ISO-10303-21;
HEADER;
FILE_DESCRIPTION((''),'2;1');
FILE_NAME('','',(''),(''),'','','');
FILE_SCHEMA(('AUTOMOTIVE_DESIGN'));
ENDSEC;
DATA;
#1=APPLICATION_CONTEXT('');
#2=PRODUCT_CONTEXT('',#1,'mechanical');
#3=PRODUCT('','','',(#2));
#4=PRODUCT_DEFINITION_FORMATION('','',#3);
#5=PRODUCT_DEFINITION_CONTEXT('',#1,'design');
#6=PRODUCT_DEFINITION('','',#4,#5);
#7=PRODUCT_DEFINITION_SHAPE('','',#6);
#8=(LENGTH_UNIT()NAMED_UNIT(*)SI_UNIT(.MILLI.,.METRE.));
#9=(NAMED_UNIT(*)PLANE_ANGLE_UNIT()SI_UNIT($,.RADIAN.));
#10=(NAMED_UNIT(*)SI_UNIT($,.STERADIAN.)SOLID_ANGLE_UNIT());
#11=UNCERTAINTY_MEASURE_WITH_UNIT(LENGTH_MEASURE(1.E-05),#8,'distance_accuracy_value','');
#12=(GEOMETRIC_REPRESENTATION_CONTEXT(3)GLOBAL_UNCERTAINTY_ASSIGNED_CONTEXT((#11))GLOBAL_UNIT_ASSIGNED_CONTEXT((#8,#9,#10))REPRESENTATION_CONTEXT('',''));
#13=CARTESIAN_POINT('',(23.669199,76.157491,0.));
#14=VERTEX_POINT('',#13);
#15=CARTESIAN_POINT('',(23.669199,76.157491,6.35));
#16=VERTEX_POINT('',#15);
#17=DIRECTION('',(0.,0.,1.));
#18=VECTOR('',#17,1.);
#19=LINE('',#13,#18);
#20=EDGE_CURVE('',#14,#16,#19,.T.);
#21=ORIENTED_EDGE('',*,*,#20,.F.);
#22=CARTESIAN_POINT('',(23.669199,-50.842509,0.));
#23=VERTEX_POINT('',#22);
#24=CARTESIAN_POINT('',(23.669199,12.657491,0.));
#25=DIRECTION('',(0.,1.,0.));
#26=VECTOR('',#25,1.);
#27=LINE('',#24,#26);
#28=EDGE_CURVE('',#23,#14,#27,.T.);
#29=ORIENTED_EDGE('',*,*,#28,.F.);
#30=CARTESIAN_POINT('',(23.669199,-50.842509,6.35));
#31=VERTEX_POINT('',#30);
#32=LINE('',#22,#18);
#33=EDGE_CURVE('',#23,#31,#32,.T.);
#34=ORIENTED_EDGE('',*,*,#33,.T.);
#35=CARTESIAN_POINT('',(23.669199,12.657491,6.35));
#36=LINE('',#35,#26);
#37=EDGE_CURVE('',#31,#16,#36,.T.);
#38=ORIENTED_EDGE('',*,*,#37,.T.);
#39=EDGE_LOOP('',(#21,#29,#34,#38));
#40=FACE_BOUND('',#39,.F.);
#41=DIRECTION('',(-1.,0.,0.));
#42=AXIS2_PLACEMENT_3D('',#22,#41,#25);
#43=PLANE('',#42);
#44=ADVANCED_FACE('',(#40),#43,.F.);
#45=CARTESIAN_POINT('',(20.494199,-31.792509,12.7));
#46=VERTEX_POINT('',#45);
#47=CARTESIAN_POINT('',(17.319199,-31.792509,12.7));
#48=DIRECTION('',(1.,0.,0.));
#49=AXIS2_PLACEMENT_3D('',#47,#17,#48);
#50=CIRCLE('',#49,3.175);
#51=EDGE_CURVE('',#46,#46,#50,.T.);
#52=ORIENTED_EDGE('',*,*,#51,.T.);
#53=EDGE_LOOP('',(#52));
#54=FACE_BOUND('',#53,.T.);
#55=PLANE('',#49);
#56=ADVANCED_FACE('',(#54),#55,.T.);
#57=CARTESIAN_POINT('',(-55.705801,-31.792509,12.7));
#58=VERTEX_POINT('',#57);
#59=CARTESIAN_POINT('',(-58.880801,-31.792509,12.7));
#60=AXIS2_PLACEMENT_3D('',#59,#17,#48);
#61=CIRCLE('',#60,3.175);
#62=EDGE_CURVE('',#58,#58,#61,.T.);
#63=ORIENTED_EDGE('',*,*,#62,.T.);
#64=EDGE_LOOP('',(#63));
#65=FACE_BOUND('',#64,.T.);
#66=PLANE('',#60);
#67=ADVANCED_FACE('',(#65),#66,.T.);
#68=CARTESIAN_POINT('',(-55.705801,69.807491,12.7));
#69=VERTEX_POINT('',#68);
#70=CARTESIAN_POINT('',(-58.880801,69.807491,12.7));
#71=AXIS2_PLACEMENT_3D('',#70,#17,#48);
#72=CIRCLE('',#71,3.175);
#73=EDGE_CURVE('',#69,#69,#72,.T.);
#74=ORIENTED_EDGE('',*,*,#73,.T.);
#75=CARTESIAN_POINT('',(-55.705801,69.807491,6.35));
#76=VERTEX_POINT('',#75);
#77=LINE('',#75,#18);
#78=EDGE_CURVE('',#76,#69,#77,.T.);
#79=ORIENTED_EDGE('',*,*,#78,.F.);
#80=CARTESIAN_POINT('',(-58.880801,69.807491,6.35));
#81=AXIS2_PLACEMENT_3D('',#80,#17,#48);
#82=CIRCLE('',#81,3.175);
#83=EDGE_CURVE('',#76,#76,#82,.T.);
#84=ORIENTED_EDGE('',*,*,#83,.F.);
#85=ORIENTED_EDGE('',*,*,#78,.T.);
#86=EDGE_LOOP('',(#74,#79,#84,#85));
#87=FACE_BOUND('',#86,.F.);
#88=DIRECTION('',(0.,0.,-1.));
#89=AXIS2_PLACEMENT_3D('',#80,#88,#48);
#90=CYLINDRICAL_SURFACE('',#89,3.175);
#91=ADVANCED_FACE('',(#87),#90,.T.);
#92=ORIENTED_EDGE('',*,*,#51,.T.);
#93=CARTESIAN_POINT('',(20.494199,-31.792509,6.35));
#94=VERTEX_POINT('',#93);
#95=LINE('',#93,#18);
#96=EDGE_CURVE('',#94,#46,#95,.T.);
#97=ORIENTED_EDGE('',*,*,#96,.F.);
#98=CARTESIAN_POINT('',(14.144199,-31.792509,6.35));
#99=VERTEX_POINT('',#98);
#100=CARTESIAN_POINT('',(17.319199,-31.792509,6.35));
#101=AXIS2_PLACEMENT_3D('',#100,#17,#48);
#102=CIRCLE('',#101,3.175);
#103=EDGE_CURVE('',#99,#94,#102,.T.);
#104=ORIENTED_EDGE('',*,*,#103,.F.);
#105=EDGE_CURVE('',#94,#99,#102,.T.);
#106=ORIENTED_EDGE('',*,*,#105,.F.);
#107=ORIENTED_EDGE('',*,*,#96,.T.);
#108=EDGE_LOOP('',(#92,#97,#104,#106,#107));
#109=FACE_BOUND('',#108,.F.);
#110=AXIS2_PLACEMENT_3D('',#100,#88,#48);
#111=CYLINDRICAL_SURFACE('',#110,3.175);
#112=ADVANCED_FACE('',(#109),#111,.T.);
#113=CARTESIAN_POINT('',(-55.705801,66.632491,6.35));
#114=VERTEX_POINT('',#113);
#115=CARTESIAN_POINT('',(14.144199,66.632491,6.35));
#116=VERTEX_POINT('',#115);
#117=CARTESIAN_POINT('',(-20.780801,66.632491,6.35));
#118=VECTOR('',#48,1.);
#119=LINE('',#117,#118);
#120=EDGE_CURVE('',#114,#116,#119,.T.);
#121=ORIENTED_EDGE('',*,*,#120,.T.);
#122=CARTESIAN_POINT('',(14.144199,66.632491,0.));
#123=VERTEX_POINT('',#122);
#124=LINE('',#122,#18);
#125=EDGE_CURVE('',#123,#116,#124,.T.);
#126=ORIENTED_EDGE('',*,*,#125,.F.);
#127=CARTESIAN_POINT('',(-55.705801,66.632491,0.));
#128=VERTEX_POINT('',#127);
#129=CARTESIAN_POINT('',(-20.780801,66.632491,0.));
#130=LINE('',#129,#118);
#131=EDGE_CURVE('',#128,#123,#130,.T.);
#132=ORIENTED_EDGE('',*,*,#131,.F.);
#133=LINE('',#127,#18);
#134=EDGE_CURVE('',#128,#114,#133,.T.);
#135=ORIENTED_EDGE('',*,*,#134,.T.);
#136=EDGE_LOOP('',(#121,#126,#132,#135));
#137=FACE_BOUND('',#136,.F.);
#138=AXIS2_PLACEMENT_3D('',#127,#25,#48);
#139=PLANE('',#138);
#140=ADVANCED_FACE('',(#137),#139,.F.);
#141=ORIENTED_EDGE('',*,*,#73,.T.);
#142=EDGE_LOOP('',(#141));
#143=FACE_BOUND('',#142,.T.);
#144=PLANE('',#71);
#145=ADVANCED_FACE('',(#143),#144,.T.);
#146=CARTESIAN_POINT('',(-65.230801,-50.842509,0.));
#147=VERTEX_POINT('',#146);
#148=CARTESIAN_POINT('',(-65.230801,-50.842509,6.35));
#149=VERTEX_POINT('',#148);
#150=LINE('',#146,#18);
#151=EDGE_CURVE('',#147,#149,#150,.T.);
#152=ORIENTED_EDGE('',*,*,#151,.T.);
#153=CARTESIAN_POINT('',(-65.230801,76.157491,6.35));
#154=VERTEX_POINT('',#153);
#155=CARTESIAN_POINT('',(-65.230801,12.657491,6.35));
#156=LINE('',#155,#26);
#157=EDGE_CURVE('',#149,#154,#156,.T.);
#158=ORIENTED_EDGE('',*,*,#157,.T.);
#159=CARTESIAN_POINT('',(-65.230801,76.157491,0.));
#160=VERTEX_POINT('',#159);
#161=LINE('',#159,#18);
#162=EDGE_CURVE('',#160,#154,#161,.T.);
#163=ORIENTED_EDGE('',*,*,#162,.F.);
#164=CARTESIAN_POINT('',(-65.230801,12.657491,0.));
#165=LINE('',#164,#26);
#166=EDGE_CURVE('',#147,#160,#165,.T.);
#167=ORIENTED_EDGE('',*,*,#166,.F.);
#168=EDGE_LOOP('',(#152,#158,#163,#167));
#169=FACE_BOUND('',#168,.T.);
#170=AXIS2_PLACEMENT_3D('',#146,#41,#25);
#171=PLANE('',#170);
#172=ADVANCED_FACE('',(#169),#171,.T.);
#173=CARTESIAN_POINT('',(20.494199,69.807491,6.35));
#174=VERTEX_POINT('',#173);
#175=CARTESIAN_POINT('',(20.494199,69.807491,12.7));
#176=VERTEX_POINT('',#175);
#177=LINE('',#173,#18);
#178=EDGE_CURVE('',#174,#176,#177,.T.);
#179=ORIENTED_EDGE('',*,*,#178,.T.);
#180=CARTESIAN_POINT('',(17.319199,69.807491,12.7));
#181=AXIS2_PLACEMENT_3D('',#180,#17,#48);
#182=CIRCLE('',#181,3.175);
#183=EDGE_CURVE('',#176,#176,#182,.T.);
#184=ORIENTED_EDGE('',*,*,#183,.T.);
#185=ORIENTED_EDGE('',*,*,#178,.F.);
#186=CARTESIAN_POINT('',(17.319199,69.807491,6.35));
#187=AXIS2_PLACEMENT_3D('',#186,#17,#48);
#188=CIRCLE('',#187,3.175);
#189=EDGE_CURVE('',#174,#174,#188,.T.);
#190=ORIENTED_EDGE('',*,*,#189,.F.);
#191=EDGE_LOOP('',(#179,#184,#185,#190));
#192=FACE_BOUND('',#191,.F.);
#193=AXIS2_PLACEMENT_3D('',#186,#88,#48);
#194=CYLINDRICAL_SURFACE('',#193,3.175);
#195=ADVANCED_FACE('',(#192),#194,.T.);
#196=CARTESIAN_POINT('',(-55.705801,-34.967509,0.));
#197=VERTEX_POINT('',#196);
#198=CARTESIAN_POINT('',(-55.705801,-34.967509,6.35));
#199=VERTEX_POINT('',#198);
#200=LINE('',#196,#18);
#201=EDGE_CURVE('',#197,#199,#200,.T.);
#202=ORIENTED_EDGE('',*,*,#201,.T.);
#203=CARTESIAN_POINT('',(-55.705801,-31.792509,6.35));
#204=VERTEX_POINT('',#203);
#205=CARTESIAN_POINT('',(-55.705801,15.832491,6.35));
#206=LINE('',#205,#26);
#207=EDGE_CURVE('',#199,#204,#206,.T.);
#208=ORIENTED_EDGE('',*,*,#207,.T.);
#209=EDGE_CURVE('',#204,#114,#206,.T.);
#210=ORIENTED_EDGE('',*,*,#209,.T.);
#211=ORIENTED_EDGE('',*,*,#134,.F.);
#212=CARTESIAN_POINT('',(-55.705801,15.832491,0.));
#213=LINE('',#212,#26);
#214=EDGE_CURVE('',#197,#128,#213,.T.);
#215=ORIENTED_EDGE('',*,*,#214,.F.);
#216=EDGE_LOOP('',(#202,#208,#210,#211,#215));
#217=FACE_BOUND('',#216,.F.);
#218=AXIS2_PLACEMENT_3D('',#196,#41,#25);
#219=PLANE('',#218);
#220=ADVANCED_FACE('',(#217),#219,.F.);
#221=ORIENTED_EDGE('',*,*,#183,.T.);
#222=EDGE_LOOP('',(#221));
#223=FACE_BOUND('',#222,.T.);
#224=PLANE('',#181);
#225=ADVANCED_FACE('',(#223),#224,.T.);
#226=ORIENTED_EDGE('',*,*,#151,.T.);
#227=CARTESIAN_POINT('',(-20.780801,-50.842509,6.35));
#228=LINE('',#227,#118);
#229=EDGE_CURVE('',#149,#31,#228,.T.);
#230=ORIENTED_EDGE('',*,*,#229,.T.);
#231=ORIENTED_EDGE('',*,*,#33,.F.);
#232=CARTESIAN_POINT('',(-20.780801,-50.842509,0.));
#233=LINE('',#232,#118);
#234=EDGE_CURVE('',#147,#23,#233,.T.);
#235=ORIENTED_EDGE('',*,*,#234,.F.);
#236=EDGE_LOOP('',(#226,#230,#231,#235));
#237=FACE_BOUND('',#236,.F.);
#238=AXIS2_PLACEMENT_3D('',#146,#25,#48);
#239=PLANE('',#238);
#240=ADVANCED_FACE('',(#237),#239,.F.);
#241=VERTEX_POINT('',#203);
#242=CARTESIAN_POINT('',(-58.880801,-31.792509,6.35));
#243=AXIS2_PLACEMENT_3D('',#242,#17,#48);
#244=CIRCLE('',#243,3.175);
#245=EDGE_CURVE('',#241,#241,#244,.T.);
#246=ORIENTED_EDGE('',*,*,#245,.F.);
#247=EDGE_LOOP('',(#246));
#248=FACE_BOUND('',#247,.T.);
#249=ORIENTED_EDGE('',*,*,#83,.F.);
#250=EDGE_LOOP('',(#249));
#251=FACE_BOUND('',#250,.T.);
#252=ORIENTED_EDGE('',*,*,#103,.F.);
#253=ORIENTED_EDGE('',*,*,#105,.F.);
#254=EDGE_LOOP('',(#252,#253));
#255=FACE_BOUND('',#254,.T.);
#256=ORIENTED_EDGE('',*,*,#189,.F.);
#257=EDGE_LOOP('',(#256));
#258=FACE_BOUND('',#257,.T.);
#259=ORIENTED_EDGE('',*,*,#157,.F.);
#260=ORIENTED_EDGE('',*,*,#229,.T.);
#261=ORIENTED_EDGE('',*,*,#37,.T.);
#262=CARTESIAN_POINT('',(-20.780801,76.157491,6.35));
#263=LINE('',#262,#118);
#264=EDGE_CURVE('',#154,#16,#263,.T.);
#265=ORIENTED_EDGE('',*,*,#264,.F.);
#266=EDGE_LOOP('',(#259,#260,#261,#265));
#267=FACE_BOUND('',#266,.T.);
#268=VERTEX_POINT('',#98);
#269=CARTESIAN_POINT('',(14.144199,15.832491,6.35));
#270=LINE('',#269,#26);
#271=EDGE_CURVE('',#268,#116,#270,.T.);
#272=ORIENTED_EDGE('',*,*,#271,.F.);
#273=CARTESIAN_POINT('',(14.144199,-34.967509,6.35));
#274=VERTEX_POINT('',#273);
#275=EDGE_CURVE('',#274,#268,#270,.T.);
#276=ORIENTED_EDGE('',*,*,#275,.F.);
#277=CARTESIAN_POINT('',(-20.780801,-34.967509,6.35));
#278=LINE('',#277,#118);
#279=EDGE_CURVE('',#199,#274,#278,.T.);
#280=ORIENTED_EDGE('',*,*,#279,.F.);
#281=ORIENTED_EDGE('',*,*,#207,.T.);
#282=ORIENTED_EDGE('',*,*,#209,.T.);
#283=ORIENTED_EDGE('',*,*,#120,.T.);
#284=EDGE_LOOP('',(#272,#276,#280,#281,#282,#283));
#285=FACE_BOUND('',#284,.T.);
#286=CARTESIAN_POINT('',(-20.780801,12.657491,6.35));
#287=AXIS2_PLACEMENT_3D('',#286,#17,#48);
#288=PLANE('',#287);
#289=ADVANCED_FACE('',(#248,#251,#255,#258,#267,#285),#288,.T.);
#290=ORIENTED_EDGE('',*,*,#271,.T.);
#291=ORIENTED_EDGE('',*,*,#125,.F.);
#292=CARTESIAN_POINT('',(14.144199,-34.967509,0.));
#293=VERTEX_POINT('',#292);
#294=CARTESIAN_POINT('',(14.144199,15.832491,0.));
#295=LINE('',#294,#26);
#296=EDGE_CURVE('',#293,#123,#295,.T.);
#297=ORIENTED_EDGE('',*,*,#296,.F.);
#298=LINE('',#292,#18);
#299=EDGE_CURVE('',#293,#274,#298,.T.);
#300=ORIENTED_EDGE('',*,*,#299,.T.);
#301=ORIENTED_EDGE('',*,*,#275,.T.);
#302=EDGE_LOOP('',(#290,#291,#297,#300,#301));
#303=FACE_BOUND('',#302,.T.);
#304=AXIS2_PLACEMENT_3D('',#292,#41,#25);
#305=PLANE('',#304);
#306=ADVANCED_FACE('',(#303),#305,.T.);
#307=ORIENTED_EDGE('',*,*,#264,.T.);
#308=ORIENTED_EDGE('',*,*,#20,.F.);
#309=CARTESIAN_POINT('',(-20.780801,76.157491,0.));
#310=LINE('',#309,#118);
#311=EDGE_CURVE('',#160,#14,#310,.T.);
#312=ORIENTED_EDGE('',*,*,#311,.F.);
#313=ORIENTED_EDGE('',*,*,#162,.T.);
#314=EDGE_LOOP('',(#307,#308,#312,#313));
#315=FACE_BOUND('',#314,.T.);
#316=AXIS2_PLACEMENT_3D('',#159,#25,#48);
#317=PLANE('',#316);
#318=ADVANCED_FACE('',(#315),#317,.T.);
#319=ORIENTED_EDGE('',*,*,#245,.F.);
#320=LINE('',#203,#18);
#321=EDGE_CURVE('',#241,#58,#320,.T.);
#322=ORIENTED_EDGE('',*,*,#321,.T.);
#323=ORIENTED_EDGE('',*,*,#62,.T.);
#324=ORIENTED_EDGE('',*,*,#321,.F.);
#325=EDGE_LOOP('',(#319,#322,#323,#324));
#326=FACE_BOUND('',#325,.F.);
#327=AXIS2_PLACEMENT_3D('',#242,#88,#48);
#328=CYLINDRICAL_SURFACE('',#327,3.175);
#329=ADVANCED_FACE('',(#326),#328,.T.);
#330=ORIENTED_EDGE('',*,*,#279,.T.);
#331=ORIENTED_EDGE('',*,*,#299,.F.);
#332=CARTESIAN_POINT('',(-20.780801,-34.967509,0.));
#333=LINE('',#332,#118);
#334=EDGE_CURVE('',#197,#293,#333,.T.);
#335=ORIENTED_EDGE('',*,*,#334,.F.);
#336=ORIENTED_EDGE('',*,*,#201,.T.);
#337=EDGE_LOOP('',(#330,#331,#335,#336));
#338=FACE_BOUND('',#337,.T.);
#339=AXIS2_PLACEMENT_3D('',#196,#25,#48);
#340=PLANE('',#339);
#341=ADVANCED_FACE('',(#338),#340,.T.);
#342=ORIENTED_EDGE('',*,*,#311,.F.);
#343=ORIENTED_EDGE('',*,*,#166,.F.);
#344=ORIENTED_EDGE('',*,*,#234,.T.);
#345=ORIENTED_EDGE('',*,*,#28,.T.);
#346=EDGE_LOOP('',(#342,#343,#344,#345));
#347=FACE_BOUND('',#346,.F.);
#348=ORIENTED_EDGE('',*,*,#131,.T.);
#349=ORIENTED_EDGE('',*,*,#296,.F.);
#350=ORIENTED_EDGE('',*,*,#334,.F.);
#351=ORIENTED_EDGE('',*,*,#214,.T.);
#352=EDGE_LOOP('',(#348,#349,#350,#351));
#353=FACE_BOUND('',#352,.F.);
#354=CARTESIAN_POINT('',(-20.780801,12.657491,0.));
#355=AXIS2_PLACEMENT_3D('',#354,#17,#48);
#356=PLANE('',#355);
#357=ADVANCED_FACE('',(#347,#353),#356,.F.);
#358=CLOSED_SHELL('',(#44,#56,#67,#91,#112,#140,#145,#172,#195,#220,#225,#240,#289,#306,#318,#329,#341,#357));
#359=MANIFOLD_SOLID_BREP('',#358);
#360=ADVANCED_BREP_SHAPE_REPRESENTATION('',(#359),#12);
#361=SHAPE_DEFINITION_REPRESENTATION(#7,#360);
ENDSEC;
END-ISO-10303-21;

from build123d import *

# Parameters (mm, degrees)
F0_W     = 88.9
F0_H     = 127
F0_W_2   = 69.85
F0_H_2   = 101.6
F1_DEPTH = 6.35
F2_R     = 3.175
F3_DEPTH = 6.35


with BuildPart() as f1:
    # F0 (on Top) → F1 (new body)
    with BuildSketch(Plane.XY):
        with Locations((-20.780801, 12.657491)):
            Rectangle(F0_W, F0_H)
        with Locations((-20.780801, 15.832491)):
            Rectangle(F0_W_2, F0_H_2, mode=Mode.SUBTRACT)
    extrude(amount=F1_DEPTH)

    # F2 (on face) → F3 (join)
    with BuildSketch(Plane.XY.offset(6.35)):
        with Locations((-58.880801, 69.807491)):
            Circle(F2_R)
        with Locations((-58.880801, -31.792509)):
            Circle(F2_R)
        with Locations((17.319199, 69.807491)):
            Circle(F2_R)
        with Locations((17.319199, -31.792509)):
            Circle(F2_R)
    extrude(amount=F3_DEPTH)


solid = f1.part
